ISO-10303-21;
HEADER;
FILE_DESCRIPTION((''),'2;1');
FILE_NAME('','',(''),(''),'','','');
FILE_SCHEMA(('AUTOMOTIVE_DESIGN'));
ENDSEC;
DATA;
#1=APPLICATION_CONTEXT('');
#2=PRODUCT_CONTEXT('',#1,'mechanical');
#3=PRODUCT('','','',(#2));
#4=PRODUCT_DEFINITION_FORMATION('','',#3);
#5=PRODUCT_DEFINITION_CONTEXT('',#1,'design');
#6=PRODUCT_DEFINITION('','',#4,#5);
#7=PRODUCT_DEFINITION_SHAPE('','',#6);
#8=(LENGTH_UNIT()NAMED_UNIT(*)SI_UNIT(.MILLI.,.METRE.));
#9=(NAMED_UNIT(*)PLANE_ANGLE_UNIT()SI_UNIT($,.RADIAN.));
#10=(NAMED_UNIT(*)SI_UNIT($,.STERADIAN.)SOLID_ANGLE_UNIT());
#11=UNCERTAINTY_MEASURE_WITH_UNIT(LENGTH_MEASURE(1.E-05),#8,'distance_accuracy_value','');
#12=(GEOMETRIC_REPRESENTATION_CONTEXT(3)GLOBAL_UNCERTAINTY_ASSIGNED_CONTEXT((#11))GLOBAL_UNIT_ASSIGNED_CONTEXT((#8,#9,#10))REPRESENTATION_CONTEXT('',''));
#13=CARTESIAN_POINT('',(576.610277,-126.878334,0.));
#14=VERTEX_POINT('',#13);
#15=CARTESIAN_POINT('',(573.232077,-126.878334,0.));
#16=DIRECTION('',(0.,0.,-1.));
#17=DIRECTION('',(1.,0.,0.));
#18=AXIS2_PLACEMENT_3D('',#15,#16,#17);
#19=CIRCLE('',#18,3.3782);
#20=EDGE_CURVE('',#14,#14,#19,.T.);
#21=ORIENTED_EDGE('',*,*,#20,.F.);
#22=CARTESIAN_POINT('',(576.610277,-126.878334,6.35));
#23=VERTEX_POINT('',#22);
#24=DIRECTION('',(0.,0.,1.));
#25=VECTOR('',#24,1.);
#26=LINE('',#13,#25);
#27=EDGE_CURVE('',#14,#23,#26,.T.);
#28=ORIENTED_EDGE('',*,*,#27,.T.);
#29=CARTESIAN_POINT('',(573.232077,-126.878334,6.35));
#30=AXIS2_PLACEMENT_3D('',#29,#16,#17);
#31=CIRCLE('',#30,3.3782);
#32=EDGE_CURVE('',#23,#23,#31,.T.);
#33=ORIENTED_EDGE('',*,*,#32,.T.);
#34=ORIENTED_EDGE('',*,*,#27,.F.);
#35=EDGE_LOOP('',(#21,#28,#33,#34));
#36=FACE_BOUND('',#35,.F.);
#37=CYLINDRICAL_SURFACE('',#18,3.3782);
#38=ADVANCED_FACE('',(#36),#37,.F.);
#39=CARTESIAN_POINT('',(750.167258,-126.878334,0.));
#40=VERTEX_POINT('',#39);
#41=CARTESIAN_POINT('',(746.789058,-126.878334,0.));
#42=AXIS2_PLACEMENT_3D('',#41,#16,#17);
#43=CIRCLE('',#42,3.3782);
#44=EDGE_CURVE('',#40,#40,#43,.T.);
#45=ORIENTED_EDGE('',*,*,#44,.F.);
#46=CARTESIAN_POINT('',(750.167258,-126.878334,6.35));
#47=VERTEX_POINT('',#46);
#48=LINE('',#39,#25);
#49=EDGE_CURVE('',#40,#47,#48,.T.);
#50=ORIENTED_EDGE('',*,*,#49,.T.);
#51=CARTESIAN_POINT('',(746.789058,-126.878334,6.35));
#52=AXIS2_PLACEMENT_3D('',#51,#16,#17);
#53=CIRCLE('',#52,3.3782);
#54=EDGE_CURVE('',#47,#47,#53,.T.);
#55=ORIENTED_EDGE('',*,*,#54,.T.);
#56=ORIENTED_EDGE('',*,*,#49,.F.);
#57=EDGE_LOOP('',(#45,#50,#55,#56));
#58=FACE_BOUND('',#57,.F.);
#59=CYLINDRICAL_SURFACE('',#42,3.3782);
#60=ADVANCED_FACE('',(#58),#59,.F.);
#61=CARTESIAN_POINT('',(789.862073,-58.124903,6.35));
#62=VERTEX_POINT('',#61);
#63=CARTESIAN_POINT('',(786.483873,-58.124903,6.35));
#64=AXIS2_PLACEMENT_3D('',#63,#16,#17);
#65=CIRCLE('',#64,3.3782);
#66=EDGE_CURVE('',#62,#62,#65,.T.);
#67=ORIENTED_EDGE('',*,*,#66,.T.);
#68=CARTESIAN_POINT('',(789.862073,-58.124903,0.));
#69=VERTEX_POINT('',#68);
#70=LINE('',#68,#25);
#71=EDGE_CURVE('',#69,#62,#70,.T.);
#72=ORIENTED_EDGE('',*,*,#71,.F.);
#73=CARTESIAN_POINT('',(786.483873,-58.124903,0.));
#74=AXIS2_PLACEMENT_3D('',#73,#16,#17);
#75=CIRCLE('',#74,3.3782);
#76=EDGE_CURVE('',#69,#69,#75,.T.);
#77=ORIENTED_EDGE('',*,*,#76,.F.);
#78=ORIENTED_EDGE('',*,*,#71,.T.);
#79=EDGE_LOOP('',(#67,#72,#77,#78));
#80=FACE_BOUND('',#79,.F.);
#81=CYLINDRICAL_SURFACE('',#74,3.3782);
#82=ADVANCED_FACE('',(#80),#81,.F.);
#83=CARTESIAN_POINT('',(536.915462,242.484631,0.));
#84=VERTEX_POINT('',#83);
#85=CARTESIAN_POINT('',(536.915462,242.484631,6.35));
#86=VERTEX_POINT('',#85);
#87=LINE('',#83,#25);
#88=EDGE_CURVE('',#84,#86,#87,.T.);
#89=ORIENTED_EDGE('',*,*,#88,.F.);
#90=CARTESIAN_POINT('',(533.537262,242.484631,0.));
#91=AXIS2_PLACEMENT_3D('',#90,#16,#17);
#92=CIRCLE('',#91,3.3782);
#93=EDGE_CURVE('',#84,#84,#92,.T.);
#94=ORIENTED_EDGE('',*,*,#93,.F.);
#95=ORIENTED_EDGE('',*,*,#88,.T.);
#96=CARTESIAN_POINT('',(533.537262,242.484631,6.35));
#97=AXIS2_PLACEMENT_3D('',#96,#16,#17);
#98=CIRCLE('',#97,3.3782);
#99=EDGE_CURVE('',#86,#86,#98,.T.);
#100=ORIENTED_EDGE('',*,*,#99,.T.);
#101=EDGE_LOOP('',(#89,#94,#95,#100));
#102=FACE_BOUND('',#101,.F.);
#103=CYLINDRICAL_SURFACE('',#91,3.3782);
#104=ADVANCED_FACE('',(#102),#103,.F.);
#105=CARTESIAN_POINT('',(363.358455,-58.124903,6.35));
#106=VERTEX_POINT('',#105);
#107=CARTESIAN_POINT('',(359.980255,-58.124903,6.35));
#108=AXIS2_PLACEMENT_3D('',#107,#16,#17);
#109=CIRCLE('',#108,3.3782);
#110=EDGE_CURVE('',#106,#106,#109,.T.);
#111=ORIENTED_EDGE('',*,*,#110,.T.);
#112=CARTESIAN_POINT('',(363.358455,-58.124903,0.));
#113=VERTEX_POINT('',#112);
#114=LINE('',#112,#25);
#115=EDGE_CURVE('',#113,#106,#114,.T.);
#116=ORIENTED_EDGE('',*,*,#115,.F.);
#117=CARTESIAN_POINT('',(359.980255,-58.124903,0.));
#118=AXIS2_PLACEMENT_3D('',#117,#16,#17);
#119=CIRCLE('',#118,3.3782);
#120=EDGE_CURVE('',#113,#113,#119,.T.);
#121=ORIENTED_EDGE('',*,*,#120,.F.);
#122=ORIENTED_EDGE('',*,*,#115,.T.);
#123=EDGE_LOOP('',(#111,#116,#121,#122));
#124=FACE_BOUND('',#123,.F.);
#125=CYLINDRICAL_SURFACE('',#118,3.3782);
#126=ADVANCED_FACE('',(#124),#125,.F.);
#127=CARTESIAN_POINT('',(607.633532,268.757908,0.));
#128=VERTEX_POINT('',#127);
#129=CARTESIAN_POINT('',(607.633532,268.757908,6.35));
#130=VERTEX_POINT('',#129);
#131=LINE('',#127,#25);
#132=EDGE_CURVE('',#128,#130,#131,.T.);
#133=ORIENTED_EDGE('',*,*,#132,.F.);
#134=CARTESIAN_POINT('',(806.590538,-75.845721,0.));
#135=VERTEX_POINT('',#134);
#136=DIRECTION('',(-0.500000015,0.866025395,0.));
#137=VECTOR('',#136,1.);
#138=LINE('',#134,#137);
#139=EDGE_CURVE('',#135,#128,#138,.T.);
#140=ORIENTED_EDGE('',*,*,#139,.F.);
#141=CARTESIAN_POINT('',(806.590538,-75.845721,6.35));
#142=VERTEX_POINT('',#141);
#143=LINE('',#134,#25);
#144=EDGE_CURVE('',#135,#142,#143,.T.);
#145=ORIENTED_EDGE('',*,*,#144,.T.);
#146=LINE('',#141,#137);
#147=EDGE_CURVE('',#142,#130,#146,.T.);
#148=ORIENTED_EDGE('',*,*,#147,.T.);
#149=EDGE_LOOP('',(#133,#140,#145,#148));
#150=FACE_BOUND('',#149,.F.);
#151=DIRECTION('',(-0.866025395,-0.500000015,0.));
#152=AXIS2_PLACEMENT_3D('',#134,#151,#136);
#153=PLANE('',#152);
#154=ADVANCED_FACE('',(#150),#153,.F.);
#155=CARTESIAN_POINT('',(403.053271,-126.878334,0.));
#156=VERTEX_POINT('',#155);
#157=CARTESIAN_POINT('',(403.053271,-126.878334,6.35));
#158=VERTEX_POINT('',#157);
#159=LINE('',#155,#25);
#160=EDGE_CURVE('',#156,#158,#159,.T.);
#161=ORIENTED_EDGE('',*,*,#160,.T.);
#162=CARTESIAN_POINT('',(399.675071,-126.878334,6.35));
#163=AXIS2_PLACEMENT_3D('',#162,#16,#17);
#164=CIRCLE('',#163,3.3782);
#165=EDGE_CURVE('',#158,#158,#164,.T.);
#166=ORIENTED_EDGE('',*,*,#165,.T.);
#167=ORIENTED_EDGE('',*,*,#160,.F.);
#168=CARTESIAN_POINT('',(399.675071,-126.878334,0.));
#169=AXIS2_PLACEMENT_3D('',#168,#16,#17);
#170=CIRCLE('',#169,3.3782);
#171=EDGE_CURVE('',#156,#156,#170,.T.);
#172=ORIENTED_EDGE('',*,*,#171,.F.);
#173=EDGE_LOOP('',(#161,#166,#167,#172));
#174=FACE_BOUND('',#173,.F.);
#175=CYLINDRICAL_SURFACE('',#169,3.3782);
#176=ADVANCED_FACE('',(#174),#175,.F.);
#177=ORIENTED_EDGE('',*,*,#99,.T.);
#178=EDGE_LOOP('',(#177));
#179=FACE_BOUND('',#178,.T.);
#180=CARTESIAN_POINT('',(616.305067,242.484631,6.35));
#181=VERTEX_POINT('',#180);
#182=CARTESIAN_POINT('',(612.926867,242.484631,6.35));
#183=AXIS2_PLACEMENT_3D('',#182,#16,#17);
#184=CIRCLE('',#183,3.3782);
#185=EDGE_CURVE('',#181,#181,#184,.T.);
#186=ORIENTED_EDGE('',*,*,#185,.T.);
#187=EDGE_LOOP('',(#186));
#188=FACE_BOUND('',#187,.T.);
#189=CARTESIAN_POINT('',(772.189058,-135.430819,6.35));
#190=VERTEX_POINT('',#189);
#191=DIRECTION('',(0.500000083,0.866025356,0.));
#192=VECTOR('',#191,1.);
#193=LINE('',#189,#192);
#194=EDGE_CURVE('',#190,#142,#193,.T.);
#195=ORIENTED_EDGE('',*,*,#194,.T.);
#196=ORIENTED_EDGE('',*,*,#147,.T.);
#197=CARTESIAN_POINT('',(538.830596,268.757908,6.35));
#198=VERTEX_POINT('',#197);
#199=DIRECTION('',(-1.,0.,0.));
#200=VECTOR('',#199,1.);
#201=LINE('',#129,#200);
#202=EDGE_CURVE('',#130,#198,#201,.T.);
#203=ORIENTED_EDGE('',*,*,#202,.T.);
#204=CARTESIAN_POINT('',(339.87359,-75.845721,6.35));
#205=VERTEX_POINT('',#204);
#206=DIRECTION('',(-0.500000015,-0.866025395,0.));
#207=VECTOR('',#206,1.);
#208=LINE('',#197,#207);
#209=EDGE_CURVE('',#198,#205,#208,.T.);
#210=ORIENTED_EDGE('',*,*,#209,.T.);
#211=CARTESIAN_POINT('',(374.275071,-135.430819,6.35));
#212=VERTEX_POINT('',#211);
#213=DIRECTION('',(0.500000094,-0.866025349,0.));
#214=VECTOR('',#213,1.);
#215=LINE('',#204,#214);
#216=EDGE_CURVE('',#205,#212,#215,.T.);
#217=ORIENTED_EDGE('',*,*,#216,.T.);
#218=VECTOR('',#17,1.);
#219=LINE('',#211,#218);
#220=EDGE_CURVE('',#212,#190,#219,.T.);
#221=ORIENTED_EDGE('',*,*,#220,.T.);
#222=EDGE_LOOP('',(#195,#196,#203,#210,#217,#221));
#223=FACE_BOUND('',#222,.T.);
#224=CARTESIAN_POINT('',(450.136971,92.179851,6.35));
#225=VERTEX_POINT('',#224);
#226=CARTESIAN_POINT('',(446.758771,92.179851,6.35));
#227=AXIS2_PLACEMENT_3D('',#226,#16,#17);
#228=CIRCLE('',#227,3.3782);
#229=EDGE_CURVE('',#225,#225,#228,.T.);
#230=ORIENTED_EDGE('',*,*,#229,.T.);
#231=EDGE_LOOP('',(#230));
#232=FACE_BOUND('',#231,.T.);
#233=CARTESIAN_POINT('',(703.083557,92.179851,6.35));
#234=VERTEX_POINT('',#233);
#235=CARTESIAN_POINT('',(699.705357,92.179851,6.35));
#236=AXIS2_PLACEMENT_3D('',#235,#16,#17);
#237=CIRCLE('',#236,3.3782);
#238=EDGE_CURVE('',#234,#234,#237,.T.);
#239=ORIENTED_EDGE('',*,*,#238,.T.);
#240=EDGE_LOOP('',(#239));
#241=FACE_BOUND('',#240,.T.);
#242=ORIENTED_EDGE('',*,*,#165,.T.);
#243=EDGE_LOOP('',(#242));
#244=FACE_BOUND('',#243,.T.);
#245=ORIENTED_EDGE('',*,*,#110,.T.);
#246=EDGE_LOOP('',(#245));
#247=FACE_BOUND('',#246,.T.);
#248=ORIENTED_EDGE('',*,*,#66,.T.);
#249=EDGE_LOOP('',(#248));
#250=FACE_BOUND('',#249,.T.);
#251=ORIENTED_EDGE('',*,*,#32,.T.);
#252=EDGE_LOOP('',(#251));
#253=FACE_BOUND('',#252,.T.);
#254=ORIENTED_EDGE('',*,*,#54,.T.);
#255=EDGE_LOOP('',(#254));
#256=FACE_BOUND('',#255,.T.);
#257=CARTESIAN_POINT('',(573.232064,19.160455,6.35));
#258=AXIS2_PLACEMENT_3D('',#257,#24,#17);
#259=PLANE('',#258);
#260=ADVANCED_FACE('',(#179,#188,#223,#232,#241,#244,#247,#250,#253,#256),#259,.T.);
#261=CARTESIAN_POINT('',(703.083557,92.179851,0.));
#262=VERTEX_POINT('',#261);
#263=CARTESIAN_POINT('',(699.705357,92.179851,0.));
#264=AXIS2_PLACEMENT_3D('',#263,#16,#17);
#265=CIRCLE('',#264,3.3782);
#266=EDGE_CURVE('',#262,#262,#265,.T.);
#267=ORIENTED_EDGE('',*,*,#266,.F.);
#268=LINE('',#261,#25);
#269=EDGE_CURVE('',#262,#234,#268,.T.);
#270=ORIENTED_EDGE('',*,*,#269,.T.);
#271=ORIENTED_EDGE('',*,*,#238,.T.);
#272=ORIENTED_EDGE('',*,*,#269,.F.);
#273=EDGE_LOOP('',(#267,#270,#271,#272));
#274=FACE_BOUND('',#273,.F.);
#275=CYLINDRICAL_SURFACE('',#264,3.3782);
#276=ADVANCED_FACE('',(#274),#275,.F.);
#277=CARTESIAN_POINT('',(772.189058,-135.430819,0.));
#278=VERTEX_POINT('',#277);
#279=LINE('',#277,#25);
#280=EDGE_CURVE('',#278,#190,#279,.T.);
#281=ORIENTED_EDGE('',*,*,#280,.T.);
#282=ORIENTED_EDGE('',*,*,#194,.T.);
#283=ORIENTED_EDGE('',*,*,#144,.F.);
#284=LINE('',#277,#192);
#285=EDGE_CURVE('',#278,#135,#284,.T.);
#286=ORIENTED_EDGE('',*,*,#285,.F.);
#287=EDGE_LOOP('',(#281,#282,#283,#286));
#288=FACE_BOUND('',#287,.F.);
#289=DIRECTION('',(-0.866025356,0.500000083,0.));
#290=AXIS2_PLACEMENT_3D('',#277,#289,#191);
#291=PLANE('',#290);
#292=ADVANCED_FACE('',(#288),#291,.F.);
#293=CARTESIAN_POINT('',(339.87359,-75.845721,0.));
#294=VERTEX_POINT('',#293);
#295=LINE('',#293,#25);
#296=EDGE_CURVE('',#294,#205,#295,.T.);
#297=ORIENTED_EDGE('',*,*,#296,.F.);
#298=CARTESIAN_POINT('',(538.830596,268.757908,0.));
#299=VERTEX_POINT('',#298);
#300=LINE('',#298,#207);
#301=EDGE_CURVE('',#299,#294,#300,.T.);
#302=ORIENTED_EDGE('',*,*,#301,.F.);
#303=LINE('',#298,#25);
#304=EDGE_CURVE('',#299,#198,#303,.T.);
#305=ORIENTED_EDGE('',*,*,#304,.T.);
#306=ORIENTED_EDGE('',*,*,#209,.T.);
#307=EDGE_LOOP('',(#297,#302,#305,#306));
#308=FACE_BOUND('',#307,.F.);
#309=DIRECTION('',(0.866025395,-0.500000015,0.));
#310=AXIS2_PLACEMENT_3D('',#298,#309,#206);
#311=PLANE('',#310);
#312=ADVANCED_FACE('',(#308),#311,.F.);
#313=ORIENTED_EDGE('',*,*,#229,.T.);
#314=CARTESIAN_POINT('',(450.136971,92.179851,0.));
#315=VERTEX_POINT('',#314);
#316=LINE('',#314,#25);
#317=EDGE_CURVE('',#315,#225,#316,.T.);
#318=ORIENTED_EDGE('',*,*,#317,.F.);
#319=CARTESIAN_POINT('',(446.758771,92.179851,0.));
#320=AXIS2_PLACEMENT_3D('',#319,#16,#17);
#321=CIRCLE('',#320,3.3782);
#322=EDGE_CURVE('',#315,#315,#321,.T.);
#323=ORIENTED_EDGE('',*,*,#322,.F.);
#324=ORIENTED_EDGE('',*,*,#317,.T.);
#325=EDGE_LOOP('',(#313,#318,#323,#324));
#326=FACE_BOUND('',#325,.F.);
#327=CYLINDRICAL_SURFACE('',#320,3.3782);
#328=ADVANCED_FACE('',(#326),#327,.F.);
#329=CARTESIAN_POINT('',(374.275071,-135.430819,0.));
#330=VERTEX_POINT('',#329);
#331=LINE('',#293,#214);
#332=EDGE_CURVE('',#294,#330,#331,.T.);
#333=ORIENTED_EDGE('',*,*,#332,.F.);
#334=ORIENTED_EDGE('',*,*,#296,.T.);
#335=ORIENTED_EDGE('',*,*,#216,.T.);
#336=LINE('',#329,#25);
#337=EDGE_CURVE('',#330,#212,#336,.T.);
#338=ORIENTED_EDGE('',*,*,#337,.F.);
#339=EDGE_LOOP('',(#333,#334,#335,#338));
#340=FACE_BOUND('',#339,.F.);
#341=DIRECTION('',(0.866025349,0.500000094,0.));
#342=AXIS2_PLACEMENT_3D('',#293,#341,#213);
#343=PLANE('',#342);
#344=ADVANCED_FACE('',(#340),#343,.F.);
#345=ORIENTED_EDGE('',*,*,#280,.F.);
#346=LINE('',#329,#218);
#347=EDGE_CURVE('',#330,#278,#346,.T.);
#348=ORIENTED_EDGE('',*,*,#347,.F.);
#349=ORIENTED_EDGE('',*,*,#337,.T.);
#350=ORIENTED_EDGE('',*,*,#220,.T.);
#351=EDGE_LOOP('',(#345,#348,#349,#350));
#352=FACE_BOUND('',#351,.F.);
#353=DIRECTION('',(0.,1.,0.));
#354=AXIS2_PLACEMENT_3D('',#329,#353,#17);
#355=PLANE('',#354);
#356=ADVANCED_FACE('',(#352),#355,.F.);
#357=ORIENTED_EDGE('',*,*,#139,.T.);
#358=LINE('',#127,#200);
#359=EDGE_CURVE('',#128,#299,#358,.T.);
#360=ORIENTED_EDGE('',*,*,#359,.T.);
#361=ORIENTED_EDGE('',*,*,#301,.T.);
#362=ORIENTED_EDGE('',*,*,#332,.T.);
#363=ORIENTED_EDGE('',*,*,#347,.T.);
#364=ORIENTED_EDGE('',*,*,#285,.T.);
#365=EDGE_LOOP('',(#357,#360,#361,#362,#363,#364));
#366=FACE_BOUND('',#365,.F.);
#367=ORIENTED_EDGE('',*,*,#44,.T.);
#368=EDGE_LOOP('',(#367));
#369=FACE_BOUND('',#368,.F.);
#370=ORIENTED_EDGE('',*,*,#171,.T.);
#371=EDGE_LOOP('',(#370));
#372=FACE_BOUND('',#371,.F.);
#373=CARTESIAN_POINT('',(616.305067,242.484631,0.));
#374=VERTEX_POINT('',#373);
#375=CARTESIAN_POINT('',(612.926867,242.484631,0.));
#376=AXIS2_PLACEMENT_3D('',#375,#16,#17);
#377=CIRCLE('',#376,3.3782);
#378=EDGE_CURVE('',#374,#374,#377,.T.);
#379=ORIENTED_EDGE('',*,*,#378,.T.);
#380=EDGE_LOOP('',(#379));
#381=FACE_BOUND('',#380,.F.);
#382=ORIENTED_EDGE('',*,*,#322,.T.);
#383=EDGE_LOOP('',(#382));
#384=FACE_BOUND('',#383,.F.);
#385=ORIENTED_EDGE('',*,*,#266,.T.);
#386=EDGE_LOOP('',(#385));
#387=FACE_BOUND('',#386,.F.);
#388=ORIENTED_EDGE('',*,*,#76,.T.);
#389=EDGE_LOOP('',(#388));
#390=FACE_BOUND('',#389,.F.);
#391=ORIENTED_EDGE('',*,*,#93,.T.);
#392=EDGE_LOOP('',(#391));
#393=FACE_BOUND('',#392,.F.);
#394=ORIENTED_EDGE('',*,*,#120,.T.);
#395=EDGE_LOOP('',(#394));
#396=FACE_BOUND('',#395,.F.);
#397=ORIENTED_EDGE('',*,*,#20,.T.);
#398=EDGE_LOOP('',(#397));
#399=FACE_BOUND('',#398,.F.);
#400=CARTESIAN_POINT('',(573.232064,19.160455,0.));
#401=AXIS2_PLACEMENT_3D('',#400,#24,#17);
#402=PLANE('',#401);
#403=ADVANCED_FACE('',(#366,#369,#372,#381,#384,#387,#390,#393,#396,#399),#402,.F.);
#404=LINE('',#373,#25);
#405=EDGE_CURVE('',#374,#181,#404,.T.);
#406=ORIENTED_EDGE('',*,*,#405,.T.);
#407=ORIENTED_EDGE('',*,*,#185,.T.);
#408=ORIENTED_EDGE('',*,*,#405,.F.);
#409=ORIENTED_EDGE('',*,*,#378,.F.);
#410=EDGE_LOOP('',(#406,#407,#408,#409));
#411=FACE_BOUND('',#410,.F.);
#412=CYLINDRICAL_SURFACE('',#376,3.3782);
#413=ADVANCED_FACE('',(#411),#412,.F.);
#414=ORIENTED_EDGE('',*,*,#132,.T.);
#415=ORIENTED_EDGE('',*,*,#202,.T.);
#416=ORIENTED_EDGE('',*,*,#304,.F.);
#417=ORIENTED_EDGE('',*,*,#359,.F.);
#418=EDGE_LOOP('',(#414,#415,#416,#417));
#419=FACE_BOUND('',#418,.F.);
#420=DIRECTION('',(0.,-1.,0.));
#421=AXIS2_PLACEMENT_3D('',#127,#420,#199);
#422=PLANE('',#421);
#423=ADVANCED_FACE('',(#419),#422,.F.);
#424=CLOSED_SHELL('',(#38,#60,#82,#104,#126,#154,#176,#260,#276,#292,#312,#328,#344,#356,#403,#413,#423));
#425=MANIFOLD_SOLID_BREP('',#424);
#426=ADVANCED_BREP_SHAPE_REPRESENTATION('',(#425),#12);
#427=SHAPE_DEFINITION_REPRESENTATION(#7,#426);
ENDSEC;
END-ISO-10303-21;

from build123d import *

# Parameters (mm, degrees)
F1_DEPTH = 6.35


with BuildPart() as f1:
    # F0 (on Top) → F1 (new body)
    with BuildSketch(Plane.XY):
        Polygon((538.830596, 268.757908), (339.87359, -75.845721), (374.275071, -135.430819), (772.189058, -135.430819), (806.590538, -75.845721), (607.633532, 268.757908), align=None)
        with BuildLine():
            ThreePointArc((396.296871, -126.878334), (399.675071, -123.500134), (403.053271, -126.878334))
            ThreePointArc((403.053271, -126.878334), (399.675071, -130.256534), (396.296871, -126.878334))
        make_face(mode=Mode.SUBTRACT)
        with BuildLine():
            ThreePointArc((356.602055, -58.124903), (359.980255, -54.746703), (363.358455, -58.124903))
            ThreePointArc((363.358455, -58.124903), (359.980255, -61.503103), (356.602055, -58.124903))
        make_face(mode=Mode.SUBTRACT)
        with BuildLine():
            ThreePointArc((569.853877, -126.878334), (573.232077, -123.500134), (576.610277, -126.878334))
            ThreePointArc((576.610277, -126.878334), (573.232077, -130.256534), (569.853877, -126.878334))
        make_face(mode=Mode.SUBTRACT)
        with BuildLine():
            ThreePointArc((743.410858, -126.878334), (746.789058, -123.500134), (750.167258, -126.878334))
            ThreePointArc((750.167258, -126.878334), (746.789058, -130.256534), (743.410858, -126.878334))
        make_face(mode=Mode.SUBTRACT)
        with BuildLine():
            ThreePointArc((783.105673, -58.124903), (786.483873, -54.746703), (789.862073, -58.124903))
            ThreePointArc((789.862073, -58.124903), (786.483873, -61.503103), (783.105673, -58.124903))
        make_face(mode=Mode.SUBTRACT)
        with BuildLine():
            ThreePointArc((443.380571, 92.179851), (446.758771, 95.558051), (450.136971, 92.179851))
            ThreePointArc((450.136971, 92.179851), (446.758771, 88.801651), (443.380571, 92.179851))
        make_face(mode=Mode.SUBTRACT)
        with BuildLine():
            ThreePointArc((696.327157, 92.179851), (699.705357, 95.558051), (703.083557, 92.179851))
            ThreePointArc((703.083557, 92.179851), (699.705357, 88.801651), (696.327157, 92.179851))
        make_face(mode=Mode.SUBTRACT)
        with BuildLine():
            ThreePointArc((530.159062, 242.484631), (533.537262, 245.862831), (536.915462, 242.484631))
            ThreePointArc((536.915462, 242.484631), (533.537262, 239.106431), (530.159062, 242.484631))
        make_face(mode=Mode.SUBTRACT)
        with BuildLine():
            ThreePointArc((609.548667, 242.484631), (612.926867, 245.862831), (616.305067, 242.484631))
            ThreePointArc((616.305067, 242.484631), (612.926867, 239.106431), (609.548667, 242.484631))
        make_face(mode=Mode.SUBTRACT)
    extrude(amount=F1_DEPTH)


solid = f1.part
